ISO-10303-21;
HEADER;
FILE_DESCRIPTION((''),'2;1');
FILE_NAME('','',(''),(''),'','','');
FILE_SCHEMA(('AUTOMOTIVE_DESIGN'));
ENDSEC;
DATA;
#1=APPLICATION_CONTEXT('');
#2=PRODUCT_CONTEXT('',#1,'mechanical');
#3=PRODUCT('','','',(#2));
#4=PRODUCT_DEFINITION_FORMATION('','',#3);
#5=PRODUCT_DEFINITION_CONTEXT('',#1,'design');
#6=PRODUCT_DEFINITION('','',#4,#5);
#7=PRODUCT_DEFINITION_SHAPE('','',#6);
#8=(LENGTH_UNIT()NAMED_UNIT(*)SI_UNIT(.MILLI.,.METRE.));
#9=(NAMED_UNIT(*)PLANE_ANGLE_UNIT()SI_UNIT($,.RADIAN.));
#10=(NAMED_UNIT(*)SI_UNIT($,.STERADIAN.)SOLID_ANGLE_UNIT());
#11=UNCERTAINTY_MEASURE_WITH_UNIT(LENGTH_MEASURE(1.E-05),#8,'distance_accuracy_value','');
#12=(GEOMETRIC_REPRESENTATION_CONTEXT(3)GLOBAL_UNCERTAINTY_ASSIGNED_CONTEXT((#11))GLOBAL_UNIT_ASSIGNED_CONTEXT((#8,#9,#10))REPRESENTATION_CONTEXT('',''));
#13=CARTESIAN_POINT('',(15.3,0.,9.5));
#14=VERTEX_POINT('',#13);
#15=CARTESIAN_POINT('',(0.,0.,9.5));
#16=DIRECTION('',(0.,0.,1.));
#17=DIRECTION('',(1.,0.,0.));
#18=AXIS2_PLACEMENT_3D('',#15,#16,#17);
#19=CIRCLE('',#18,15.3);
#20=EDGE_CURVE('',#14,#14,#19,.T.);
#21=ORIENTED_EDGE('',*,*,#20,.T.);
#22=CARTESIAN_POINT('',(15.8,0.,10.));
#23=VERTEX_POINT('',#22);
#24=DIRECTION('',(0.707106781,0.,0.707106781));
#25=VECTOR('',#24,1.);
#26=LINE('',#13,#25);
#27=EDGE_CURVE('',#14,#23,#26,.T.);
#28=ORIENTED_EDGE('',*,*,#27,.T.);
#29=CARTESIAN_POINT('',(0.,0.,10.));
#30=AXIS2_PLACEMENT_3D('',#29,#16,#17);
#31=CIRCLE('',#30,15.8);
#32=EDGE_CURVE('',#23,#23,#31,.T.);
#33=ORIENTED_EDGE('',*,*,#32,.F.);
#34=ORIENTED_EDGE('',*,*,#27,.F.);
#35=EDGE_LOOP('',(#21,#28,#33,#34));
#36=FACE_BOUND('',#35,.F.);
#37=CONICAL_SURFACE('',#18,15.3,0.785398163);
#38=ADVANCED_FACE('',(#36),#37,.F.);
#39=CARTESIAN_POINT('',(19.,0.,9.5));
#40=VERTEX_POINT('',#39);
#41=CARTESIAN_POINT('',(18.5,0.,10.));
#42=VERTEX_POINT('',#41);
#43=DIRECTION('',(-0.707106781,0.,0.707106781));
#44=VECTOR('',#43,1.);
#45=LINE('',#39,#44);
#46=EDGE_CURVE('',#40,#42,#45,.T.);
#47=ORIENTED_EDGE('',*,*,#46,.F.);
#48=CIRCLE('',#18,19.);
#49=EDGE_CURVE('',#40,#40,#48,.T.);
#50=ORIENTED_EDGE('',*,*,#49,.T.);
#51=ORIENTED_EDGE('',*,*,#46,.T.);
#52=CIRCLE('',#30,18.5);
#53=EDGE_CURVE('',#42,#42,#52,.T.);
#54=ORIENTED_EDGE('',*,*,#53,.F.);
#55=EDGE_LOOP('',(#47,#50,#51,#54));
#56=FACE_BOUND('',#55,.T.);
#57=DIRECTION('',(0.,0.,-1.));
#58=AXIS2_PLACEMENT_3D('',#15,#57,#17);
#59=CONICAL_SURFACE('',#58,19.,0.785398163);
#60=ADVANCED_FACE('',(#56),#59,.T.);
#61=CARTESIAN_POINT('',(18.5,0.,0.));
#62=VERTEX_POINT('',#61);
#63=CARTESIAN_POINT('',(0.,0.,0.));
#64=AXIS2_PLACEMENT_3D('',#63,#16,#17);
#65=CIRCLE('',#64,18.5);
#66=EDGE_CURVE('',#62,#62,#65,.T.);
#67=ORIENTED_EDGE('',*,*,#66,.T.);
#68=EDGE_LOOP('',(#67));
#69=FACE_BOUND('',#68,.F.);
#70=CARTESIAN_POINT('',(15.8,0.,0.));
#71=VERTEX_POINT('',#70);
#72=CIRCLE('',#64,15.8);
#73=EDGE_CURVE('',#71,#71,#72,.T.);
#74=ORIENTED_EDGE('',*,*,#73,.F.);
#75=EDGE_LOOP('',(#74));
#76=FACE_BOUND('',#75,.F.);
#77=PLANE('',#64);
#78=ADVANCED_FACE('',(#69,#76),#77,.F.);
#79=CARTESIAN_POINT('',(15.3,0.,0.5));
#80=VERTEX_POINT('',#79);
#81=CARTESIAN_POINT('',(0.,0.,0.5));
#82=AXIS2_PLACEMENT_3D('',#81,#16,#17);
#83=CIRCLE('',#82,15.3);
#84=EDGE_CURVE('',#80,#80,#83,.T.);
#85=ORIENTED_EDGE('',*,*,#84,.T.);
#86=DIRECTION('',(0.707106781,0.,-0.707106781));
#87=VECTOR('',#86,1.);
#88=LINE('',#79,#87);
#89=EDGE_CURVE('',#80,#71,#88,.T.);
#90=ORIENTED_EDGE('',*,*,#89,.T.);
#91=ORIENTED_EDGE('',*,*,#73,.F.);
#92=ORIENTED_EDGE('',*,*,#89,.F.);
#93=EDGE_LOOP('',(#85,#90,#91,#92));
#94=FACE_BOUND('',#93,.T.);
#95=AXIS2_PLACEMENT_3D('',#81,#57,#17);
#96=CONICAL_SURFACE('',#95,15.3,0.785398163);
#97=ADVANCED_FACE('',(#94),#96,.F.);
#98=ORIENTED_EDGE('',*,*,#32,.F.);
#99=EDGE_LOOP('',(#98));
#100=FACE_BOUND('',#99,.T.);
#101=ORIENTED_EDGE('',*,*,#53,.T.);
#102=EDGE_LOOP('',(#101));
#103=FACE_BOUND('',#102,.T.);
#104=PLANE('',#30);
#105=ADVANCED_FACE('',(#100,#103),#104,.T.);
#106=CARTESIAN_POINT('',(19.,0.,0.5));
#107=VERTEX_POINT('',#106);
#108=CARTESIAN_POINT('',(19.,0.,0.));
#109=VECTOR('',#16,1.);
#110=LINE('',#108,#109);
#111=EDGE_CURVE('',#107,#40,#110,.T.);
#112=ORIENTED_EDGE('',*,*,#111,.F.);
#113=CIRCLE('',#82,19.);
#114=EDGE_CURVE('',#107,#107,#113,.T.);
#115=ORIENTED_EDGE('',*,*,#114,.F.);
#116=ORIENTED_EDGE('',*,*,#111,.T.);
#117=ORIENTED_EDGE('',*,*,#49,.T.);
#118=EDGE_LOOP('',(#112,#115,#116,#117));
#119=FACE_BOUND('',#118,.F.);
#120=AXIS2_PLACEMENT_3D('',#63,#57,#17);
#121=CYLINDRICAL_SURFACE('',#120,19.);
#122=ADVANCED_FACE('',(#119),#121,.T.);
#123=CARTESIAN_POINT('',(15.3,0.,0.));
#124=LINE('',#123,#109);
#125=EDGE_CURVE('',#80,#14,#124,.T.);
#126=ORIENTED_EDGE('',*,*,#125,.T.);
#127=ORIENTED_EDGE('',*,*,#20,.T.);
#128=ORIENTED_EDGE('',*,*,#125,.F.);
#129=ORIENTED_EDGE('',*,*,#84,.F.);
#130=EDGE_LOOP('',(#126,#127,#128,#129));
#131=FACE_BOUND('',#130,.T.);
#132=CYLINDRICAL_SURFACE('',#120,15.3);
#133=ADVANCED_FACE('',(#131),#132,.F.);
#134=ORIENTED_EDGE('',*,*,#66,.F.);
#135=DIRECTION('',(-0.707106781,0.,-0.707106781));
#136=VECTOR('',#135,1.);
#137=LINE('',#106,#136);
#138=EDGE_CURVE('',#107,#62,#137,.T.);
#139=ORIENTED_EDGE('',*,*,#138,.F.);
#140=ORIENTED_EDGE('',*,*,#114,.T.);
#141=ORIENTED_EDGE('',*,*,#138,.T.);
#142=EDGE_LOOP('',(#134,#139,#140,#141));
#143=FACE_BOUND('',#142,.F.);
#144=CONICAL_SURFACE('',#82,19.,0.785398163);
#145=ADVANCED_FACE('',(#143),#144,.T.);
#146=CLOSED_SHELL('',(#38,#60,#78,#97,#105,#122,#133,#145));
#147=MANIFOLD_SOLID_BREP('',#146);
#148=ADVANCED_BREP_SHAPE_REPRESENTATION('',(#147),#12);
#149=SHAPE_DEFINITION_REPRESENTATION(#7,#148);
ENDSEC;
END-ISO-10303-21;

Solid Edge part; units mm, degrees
sketch "Sketch1" plane through (0, 0, 0) normal (0, 0, 1) x (1, 0, 0)
  circle A0 centre (0, 0) radius 15.3
  circle A1 centre (0, 0) radius 19
  dimension "D1" = 30.6
  dimension "D2" = 38
extrude "Extrusionsausprägung_20" add sketch "Sketch1" along normal blind 10
chamfer "Fase_9" distance 0.5 angle 45 4 edges at (-15.3, 0, 10) (-19, 0, 10) (-15.3, 0, 0) (-19, 0, 0)
